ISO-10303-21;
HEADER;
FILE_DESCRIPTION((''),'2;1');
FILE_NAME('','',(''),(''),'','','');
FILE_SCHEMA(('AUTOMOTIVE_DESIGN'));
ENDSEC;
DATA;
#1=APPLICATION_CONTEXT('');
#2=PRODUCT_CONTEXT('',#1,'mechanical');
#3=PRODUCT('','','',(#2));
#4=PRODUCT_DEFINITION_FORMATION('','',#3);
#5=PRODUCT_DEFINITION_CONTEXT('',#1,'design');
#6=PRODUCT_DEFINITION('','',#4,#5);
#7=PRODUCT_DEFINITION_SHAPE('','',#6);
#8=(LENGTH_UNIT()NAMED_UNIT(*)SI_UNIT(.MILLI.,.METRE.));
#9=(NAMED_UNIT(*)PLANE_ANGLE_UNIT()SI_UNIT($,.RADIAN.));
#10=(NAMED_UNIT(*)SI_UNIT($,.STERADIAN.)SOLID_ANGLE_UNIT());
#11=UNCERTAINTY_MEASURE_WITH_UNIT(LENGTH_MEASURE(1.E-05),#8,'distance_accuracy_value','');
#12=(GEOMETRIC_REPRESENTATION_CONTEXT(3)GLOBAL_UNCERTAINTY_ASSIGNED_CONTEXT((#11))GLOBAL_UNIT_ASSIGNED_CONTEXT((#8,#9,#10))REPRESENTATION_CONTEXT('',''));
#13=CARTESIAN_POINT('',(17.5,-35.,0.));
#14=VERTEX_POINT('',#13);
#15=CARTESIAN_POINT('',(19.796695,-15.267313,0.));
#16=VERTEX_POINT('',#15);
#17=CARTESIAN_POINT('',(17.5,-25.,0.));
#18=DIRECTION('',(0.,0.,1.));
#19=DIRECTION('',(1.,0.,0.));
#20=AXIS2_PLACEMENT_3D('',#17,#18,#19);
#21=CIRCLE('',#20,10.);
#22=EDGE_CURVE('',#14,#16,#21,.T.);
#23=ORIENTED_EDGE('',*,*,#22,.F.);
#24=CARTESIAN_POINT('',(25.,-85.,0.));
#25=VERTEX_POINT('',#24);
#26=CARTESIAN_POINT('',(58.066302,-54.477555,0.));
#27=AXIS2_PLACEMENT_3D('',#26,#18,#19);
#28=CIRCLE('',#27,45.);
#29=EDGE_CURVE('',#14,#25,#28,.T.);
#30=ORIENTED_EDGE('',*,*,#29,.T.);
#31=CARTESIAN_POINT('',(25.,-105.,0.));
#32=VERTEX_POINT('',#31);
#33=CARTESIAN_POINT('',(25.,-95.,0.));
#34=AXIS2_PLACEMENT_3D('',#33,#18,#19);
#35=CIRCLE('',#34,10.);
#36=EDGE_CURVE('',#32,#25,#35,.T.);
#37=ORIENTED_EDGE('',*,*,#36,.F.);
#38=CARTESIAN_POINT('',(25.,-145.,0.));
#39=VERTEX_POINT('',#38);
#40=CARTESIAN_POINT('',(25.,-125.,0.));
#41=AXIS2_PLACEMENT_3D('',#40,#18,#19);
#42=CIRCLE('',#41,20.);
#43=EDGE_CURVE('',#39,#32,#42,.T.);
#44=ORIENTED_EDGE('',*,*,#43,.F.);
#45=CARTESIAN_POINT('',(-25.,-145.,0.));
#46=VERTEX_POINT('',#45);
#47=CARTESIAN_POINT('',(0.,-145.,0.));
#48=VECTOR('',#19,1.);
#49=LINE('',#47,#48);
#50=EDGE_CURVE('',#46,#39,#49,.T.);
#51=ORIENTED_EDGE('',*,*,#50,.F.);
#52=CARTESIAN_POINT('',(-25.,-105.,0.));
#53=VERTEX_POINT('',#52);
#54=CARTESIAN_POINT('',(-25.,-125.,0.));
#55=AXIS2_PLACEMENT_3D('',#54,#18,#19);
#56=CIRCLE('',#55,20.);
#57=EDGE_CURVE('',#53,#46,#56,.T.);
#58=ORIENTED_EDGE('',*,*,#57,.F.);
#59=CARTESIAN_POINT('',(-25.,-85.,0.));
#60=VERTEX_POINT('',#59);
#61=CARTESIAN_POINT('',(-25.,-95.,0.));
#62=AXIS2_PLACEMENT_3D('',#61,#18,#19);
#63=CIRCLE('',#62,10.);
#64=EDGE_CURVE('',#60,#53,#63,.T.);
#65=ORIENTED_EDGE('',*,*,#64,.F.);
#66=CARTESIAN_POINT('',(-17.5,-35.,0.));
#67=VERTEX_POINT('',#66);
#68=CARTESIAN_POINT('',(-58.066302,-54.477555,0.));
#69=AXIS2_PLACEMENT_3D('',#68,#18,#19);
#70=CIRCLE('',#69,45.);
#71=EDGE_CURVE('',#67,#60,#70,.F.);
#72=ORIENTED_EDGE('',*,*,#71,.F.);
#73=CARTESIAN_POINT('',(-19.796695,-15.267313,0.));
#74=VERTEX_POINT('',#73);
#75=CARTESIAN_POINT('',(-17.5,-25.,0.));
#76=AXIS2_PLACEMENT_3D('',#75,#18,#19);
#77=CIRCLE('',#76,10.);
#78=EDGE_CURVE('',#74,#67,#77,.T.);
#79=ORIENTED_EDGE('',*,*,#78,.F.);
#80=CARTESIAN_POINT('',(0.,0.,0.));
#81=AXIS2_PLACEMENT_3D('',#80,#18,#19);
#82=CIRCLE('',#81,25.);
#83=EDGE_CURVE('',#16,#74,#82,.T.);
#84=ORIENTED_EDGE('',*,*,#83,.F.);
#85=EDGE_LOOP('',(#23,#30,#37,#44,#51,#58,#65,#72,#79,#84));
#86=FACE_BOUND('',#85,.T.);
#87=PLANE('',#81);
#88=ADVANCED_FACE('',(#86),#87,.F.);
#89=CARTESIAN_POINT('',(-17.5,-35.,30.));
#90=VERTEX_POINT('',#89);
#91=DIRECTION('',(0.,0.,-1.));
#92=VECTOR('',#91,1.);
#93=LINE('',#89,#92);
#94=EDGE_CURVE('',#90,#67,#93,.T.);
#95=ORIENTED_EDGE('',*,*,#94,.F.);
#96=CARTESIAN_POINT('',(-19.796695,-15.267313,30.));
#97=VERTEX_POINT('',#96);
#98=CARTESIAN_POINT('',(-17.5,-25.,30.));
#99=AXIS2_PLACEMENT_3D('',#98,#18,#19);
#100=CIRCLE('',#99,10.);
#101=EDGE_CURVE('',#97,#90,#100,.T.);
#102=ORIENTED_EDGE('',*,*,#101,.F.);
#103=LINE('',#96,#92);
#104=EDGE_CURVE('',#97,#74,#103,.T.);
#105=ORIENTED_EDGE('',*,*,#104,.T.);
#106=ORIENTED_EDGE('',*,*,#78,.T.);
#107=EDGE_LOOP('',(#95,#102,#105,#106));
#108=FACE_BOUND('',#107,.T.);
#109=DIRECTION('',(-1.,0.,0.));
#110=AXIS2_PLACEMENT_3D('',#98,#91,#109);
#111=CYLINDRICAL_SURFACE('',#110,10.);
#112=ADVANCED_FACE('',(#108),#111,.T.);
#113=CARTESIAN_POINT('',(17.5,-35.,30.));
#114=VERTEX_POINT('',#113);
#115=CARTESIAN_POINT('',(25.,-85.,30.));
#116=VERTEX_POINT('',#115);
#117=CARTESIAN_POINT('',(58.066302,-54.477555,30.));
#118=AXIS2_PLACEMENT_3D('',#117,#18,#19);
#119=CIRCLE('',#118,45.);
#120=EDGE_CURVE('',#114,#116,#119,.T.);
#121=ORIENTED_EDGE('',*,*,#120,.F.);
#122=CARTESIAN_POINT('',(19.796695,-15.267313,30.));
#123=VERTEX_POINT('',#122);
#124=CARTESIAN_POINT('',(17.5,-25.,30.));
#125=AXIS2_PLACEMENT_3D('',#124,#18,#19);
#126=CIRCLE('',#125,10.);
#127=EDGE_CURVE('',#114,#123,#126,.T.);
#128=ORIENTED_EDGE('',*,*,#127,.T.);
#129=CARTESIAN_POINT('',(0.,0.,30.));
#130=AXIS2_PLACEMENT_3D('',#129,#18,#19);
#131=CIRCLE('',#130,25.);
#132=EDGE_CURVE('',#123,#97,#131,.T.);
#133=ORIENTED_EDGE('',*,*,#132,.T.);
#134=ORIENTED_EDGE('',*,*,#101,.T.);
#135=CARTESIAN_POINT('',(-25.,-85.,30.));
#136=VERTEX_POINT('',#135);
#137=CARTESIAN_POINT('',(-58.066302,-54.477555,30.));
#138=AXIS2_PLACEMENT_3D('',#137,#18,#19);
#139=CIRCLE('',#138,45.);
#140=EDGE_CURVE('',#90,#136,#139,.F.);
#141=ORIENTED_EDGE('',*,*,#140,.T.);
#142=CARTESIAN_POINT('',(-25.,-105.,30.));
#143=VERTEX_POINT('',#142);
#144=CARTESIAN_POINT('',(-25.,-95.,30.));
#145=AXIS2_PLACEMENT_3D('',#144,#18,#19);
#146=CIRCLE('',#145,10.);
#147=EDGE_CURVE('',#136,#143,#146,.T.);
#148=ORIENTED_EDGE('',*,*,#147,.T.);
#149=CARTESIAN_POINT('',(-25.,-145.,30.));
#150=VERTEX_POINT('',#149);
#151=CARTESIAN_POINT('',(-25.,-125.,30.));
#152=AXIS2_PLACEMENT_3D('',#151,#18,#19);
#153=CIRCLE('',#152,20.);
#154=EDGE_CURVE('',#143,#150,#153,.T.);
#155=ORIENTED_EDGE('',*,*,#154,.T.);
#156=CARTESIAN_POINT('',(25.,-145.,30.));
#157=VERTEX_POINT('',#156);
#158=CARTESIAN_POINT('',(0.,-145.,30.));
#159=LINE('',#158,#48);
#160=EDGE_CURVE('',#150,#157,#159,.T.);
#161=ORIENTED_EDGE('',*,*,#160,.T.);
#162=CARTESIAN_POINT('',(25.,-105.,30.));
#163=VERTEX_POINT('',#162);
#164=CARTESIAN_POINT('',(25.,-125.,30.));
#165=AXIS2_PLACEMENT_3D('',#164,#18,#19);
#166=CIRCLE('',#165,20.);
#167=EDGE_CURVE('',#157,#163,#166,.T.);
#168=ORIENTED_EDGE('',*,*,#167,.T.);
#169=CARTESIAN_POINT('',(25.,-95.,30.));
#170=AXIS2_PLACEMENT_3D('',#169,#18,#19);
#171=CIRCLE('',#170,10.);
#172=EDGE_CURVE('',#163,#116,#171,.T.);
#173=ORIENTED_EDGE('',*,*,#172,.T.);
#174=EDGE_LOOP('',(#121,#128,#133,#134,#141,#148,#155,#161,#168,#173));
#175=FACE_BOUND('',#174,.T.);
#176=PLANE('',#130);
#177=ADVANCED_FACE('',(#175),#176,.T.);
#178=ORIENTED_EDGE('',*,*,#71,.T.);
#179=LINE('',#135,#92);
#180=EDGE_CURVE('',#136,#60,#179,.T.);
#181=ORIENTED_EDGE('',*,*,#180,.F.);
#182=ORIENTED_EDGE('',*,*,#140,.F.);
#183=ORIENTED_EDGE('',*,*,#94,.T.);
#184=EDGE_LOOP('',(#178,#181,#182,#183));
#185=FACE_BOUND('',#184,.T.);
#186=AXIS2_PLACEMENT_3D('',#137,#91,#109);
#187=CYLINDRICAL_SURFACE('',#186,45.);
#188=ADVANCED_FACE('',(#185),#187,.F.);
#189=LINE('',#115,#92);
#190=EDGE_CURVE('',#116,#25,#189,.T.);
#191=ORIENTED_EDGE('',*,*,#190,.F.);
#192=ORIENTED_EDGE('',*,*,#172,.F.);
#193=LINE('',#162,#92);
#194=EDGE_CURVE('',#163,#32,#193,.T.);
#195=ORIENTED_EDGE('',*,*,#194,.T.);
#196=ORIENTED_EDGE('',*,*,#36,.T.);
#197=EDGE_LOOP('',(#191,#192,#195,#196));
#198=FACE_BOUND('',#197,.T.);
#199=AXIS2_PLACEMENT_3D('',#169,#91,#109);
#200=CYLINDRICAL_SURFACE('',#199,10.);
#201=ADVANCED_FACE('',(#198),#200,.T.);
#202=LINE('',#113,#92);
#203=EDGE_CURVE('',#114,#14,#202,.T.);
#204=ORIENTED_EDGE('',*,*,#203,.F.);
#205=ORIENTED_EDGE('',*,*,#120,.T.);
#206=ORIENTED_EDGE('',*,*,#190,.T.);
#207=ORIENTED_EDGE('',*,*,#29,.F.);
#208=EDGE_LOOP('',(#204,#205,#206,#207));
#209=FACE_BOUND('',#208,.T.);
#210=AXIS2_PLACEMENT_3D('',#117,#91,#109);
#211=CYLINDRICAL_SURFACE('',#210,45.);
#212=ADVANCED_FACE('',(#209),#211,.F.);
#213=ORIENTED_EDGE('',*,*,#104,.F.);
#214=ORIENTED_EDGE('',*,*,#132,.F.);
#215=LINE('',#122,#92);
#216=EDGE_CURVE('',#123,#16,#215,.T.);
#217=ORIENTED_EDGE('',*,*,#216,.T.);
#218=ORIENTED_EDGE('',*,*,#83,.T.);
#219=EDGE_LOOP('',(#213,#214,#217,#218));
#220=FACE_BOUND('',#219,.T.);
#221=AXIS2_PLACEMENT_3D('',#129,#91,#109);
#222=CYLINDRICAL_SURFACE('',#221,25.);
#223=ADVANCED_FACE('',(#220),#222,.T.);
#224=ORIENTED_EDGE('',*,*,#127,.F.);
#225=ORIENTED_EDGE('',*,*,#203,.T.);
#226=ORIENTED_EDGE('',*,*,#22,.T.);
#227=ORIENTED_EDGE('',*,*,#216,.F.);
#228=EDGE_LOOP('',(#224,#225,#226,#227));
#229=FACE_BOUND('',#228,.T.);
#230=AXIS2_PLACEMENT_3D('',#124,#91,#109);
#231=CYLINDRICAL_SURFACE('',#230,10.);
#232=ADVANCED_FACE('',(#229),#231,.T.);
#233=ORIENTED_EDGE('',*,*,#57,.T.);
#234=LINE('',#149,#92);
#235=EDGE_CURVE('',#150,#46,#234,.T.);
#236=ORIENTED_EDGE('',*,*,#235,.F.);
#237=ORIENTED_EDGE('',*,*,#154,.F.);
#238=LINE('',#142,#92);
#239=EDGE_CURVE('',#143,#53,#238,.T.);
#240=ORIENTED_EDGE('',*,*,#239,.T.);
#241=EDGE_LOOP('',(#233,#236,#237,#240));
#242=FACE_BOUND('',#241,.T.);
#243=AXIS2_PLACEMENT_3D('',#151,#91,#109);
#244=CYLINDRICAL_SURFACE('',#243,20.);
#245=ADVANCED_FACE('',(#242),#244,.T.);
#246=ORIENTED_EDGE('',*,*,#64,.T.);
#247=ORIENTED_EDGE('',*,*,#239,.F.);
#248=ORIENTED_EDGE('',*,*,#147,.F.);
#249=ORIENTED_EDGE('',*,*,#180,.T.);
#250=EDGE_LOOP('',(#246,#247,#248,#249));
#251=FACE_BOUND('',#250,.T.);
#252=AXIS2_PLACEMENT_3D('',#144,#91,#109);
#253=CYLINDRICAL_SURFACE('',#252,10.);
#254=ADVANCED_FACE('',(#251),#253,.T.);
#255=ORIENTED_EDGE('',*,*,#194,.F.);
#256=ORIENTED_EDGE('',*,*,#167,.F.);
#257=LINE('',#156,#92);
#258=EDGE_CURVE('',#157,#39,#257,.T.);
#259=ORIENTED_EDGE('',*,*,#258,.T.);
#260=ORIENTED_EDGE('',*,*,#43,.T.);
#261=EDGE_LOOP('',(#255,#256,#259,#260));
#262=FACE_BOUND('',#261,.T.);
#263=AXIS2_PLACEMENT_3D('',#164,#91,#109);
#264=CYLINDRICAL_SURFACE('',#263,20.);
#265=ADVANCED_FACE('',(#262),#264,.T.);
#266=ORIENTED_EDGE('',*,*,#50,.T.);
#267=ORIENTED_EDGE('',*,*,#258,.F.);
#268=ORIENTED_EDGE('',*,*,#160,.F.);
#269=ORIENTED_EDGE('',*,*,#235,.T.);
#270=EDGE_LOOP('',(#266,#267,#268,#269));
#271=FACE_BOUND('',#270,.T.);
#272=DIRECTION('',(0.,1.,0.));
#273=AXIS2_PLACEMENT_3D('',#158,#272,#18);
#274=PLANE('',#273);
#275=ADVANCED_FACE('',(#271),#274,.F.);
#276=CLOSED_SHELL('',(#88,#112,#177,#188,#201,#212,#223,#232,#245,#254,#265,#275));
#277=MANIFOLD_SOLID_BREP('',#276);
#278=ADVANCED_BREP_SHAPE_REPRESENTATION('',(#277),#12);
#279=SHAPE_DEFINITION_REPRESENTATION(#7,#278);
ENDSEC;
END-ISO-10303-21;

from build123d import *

# Parameters (mm, degrees)
BOSS_EXTRUDE3_DEPTH = 30


with BuildPart() as part:
    # Sketch1 → Boss-Extrude3 (new body)
    with BuildSketch(Plane.XY):
        with BuildLine():
            ThreePointArc((19.796695306, -15.267313286), (0, 25), (-19.796695306, -15.267313286))
            ThreePointArc((-19.796695306, -15.267313286), (-27.432946872, -26.156099663), (-17.5, -35))
            ThreePointArc((-17.5, -35), (-13.564166187, -61.152875072), (-25, -85))
            ThreePointArc((-25, -85), (-35, -95), (-25, -105))
            ThreePointArc((-25, -105), (-45, -125), (-25, -145))
            Line((-25, -145), (25, -145))
            ThreePointArc((25, -145), (45, -125), (25, -105))
            ThreePointArc((25, -105), (35, -95), (25, -85))
            ThreePointArc((25, -85), (13.564166187, -61.152875072), (17.5, -35))
            ThreePointArc((17.5, -35), (27.432946872, -26.156099663), (19.796695306, -15.267313286))
        make_face()
    extrude(amount=BOSS_EXTRUDE3_DEPTH)


solid = part.part
